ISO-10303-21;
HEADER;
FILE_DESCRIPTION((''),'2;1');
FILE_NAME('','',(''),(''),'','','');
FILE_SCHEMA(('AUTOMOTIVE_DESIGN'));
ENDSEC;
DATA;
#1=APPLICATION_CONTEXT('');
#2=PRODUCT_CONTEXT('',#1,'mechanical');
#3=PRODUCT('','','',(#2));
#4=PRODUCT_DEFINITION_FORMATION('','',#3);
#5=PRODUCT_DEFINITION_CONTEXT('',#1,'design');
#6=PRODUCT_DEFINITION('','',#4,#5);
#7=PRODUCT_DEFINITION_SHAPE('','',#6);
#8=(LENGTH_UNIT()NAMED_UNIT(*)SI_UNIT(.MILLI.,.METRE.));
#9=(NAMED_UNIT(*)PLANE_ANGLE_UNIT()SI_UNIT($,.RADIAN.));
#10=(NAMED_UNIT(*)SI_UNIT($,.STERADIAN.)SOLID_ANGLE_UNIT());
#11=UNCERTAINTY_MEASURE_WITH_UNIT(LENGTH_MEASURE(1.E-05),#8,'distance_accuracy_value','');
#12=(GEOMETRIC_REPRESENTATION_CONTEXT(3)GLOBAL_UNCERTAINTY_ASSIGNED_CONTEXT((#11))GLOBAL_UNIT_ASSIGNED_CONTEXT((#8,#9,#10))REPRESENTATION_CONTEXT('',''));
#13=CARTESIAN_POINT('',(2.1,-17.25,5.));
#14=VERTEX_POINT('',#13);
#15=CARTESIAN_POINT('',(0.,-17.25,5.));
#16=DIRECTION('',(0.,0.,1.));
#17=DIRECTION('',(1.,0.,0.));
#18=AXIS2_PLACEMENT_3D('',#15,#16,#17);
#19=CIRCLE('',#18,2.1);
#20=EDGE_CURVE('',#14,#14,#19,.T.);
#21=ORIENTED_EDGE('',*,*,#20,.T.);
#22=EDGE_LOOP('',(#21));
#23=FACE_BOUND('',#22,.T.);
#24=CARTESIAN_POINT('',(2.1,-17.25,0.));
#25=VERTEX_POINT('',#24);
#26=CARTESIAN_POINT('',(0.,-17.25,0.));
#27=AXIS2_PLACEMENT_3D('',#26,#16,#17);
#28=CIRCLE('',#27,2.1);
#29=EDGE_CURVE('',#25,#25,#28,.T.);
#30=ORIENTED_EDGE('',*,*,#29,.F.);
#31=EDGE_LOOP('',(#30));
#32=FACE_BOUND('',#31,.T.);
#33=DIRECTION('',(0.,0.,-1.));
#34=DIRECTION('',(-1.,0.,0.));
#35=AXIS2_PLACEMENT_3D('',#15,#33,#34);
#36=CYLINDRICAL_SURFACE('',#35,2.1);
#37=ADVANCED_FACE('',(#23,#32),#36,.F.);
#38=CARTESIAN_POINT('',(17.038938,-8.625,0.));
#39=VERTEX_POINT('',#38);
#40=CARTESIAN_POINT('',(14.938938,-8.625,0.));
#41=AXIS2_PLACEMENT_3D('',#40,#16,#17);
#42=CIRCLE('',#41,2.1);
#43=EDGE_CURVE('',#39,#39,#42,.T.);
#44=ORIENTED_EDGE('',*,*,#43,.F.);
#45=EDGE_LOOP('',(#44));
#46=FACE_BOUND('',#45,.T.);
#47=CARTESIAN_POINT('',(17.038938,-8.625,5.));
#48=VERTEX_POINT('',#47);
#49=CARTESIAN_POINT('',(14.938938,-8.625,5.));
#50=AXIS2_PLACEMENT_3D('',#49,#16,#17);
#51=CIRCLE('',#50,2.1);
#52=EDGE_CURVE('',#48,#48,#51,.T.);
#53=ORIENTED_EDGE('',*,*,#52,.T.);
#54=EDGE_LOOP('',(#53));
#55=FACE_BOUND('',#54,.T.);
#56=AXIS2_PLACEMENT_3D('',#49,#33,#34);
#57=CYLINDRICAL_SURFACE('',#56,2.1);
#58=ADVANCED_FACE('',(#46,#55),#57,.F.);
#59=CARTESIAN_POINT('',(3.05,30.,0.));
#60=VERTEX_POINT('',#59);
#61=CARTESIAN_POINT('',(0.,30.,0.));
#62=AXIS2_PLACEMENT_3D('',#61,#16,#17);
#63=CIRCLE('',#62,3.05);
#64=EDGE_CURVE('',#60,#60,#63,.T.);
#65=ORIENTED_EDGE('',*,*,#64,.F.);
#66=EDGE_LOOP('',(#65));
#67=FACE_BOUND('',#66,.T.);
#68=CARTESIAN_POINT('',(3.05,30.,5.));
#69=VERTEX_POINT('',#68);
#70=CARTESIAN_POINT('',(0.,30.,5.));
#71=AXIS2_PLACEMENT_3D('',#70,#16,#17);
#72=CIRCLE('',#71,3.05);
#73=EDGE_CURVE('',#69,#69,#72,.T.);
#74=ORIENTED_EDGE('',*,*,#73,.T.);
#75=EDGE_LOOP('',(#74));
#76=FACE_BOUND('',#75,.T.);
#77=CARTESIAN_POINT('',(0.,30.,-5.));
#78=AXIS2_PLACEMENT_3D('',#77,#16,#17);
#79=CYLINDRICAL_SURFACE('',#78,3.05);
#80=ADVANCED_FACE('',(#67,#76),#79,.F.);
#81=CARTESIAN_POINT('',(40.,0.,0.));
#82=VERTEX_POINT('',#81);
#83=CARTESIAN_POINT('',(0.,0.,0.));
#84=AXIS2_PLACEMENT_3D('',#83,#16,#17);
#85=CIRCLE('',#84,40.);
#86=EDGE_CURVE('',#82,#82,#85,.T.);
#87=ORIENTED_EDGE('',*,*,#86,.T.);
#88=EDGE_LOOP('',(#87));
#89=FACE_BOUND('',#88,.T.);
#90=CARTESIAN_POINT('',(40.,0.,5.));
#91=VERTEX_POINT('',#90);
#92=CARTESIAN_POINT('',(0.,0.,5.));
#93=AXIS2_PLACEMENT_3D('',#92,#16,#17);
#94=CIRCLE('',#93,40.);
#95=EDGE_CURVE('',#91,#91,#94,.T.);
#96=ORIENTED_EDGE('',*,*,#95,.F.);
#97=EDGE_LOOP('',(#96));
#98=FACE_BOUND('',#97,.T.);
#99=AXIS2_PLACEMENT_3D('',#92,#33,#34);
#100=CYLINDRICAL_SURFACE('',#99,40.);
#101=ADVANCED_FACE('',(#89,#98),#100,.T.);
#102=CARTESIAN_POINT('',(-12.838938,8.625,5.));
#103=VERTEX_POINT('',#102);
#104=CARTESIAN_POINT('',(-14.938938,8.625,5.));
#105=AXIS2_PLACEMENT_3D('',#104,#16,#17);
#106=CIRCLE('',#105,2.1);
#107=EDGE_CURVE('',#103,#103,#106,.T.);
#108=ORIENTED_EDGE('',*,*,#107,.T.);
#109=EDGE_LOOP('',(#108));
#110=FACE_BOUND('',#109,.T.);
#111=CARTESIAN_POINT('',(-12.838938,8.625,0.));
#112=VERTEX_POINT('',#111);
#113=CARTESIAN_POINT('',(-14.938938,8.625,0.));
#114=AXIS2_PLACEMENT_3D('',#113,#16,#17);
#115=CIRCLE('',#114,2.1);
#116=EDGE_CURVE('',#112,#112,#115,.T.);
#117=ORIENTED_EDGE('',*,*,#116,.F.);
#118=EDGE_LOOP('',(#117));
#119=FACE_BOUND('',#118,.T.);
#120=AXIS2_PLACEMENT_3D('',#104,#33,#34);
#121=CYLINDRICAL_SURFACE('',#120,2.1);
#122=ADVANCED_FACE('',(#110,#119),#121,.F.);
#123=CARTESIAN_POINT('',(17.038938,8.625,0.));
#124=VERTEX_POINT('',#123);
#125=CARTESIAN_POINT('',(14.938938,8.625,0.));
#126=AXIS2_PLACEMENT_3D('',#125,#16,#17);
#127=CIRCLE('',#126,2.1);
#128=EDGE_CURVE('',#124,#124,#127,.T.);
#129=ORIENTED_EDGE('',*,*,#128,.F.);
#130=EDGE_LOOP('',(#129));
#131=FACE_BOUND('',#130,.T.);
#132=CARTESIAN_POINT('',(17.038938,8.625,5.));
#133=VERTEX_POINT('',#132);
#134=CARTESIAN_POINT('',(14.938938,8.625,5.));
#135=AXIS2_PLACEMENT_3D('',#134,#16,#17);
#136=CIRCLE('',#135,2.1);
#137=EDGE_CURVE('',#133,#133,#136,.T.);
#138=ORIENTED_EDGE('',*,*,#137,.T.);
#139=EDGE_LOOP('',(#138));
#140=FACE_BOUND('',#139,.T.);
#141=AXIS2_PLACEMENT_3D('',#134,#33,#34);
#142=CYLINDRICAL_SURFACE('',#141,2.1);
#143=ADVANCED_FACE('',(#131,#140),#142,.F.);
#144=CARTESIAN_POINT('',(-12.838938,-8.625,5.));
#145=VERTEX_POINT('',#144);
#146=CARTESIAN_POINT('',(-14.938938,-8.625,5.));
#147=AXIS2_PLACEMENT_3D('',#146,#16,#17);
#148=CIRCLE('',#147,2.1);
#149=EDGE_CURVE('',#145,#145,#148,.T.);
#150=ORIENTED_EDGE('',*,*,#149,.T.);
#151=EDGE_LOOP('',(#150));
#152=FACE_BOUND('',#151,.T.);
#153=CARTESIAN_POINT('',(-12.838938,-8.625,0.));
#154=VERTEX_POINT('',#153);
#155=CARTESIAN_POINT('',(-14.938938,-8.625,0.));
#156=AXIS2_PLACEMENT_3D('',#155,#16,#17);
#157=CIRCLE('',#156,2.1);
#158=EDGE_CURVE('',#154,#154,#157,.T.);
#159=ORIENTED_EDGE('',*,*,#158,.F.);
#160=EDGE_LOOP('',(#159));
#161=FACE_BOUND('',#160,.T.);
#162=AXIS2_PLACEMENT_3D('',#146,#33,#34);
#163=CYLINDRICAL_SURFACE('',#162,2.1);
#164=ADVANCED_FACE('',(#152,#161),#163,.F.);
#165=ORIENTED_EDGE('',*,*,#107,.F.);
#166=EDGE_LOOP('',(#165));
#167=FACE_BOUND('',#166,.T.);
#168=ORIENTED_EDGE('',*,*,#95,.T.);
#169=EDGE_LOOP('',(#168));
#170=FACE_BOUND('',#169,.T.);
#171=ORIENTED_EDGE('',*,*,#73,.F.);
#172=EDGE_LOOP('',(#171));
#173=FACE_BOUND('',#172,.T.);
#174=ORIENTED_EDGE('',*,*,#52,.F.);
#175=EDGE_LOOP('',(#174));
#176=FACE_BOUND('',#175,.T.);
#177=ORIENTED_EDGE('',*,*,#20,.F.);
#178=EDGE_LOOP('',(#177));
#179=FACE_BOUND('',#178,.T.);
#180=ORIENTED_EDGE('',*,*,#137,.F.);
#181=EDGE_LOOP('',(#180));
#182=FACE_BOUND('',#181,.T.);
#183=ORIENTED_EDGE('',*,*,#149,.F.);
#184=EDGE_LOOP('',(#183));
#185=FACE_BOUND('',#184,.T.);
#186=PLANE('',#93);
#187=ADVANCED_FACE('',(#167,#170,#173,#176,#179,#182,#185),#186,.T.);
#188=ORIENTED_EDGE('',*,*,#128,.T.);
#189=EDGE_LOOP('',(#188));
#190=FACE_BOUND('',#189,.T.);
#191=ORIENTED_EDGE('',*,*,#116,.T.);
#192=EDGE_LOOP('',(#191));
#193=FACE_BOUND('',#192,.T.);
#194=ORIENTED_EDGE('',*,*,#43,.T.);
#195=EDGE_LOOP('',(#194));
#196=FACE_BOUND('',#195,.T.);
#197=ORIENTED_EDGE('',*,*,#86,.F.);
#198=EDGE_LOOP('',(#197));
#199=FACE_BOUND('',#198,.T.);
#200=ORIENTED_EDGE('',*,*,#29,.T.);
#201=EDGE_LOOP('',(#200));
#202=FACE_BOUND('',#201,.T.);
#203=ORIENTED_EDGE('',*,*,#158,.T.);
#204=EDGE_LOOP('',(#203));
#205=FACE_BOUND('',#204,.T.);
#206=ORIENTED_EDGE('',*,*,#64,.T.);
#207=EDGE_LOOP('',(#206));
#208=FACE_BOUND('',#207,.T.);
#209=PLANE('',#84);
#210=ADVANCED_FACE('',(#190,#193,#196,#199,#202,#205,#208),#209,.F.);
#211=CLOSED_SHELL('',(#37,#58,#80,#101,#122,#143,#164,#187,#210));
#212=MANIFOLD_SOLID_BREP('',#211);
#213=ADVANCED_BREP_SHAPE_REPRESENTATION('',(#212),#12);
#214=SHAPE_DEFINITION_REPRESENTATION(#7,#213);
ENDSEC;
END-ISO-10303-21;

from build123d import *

# Parameters (mm, degrees)
SKETCH_1_R          = 40
SKETCH_1_R_2        = 2.1
EXTRUDE_1_DEPTH     = 5
SKETCH_2_R          = 3.05
CUT_EXTRUDE_2_DEPTH = 10


with BuildPart() as part:
    # 草图1 → 凸台-拉伸1 (new body)
    with BuildSketch(Plane.XY):
        Circle(SKETCH_1_R)
        with Locations((14.938938215, 8.625)):
            Circle(SKETCH_1_R_2, mode=Mode.SUBTRACT)
        with Locations((14.938938215, -8.625)):
            Circle(SKETCH_1_R_2, mode=Mode.SUBTRACT)
        with Locations((0, -17.25)):
            Circle(SKETCH_1_R_2, mode=Mode.SUBTRACT)
        with Locations((-14.938938215, -8.625)):
            Circle(SKETCH_1_R_2, mode=Mode.SUBTRACT)
        with Locations((-14.938938215, 8.625)):
            Circle(SKETCH_1_R_2, mode=Mode.SUBTRACT)
    extrude(amount=EXTRUDE_1_DEPTH)

    # 草图2 → 切除-拉伸2 (cut)
    with BuildSketch(Plane.XY.offset(5)):
        with Locations((0, 30)):
            Circle(SKETCH_2_R)
    extrude(amount=-CUT_EXTRUDE_2_DEPTH, mode=Mode.SUBTRACT)


solid = part.part
